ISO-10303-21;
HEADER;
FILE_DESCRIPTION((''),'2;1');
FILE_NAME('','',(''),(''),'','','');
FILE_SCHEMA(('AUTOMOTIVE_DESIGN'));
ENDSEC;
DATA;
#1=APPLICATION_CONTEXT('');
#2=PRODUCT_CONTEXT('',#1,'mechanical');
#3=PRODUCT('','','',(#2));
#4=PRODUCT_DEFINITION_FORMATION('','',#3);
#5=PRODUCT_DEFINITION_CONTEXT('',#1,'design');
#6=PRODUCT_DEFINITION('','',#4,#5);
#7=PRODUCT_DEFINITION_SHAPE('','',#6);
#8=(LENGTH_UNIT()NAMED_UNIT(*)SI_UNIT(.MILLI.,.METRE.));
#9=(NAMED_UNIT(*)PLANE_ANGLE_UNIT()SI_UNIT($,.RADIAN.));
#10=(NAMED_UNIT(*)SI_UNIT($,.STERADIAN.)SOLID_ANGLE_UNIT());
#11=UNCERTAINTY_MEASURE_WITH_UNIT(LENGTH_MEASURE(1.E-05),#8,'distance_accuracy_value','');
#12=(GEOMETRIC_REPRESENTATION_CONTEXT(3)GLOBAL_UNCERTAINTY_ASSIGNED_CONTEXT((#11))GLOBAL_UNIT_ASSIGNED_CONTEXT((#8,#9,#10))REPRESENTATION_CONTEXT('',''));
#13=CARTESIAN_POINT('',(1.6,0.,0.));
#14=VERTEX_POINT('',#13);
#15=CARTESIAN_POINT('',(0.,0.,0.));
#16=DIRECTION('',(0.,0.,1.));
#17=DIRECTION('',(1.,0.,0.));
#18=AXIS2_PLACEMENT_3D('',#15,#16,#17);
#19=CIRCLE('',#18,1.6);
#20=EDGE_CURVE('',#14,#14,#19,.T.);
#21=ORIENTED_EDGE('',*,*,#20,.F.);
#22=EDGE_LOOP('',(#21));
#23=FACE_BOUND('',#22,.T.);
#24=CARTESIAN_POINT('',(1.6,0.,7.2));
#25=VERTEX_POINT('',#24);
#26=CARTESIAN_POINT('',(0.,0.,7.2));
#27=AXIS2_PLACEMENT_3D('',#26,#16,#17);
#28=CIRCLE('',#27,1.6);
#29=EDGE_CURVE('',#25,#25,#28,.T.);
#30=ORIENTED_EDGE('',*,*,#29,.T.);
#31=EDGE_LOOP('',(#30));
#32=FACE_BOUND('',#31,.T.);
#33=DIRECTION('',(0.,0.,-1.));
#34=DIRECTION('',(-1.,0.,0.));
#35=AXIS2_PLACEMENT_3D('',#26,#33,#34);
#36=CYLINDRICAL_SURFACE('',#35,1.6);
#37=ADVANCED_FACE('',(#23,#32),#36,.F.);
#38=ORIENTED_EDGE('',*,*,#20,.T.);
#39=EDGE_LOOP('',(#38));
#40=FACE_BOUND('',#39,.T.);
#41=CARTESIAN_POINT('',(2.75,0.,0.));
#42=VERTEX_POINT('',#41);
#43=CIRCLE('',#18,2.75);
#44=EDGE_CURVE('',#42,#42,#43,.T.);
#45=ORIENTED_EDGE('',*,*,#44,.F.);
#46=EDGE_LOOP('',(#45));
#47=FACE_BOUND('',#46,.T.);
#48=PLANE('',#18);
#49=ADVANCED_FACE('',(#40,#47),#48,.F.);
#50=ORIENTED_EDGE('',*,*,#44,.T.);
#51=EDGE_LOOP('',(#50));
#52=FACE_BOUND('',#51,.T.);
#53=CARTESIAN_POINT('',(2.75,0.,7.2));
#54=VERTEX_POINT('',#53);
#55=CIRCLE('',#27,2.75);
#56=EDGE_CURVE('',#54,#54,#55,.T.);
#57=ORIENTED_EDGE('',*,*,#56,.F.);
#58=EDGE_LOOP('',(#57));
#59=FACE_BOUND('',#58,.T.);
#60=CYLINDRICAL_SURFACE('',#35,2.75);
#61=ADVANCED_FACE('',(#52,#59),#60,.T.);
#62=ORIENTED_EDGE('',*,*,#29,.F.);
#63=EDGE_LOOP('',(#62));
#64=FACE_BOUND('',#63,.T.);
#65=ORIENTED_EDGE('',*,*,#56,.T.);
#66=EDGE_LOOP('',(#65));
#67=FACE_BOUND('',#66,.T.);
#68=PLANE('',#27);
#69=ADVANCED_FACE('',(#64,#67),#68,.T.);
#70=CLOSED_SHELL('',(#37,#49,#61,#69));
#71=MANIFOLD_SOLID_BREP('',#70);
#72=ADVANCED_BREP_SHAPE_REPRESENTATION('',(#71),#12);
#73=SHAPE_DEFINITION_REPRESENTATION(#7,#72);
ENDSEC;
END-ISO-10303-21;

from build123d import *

# Parameters (mm, degrees)
SKETCH_1_R      = 2.75
SKETCH_1_R_2    = 1.6
EXTRUDE_1_DEPTH = 7.2


with BuildPart() as part:
    # ｽｹｯﾁ1 → ﾎﾞｽ - 押し出し1 (new body)
    with BuildSketch(Plane.XY):
        Circle(SKETCH_1_R)
        Circle(SKETCH_1_R_2, mode=Mode.SUBTRACT)
    extrude(amount=EXTRUDE_1_DEPTH)


solid = part.part
